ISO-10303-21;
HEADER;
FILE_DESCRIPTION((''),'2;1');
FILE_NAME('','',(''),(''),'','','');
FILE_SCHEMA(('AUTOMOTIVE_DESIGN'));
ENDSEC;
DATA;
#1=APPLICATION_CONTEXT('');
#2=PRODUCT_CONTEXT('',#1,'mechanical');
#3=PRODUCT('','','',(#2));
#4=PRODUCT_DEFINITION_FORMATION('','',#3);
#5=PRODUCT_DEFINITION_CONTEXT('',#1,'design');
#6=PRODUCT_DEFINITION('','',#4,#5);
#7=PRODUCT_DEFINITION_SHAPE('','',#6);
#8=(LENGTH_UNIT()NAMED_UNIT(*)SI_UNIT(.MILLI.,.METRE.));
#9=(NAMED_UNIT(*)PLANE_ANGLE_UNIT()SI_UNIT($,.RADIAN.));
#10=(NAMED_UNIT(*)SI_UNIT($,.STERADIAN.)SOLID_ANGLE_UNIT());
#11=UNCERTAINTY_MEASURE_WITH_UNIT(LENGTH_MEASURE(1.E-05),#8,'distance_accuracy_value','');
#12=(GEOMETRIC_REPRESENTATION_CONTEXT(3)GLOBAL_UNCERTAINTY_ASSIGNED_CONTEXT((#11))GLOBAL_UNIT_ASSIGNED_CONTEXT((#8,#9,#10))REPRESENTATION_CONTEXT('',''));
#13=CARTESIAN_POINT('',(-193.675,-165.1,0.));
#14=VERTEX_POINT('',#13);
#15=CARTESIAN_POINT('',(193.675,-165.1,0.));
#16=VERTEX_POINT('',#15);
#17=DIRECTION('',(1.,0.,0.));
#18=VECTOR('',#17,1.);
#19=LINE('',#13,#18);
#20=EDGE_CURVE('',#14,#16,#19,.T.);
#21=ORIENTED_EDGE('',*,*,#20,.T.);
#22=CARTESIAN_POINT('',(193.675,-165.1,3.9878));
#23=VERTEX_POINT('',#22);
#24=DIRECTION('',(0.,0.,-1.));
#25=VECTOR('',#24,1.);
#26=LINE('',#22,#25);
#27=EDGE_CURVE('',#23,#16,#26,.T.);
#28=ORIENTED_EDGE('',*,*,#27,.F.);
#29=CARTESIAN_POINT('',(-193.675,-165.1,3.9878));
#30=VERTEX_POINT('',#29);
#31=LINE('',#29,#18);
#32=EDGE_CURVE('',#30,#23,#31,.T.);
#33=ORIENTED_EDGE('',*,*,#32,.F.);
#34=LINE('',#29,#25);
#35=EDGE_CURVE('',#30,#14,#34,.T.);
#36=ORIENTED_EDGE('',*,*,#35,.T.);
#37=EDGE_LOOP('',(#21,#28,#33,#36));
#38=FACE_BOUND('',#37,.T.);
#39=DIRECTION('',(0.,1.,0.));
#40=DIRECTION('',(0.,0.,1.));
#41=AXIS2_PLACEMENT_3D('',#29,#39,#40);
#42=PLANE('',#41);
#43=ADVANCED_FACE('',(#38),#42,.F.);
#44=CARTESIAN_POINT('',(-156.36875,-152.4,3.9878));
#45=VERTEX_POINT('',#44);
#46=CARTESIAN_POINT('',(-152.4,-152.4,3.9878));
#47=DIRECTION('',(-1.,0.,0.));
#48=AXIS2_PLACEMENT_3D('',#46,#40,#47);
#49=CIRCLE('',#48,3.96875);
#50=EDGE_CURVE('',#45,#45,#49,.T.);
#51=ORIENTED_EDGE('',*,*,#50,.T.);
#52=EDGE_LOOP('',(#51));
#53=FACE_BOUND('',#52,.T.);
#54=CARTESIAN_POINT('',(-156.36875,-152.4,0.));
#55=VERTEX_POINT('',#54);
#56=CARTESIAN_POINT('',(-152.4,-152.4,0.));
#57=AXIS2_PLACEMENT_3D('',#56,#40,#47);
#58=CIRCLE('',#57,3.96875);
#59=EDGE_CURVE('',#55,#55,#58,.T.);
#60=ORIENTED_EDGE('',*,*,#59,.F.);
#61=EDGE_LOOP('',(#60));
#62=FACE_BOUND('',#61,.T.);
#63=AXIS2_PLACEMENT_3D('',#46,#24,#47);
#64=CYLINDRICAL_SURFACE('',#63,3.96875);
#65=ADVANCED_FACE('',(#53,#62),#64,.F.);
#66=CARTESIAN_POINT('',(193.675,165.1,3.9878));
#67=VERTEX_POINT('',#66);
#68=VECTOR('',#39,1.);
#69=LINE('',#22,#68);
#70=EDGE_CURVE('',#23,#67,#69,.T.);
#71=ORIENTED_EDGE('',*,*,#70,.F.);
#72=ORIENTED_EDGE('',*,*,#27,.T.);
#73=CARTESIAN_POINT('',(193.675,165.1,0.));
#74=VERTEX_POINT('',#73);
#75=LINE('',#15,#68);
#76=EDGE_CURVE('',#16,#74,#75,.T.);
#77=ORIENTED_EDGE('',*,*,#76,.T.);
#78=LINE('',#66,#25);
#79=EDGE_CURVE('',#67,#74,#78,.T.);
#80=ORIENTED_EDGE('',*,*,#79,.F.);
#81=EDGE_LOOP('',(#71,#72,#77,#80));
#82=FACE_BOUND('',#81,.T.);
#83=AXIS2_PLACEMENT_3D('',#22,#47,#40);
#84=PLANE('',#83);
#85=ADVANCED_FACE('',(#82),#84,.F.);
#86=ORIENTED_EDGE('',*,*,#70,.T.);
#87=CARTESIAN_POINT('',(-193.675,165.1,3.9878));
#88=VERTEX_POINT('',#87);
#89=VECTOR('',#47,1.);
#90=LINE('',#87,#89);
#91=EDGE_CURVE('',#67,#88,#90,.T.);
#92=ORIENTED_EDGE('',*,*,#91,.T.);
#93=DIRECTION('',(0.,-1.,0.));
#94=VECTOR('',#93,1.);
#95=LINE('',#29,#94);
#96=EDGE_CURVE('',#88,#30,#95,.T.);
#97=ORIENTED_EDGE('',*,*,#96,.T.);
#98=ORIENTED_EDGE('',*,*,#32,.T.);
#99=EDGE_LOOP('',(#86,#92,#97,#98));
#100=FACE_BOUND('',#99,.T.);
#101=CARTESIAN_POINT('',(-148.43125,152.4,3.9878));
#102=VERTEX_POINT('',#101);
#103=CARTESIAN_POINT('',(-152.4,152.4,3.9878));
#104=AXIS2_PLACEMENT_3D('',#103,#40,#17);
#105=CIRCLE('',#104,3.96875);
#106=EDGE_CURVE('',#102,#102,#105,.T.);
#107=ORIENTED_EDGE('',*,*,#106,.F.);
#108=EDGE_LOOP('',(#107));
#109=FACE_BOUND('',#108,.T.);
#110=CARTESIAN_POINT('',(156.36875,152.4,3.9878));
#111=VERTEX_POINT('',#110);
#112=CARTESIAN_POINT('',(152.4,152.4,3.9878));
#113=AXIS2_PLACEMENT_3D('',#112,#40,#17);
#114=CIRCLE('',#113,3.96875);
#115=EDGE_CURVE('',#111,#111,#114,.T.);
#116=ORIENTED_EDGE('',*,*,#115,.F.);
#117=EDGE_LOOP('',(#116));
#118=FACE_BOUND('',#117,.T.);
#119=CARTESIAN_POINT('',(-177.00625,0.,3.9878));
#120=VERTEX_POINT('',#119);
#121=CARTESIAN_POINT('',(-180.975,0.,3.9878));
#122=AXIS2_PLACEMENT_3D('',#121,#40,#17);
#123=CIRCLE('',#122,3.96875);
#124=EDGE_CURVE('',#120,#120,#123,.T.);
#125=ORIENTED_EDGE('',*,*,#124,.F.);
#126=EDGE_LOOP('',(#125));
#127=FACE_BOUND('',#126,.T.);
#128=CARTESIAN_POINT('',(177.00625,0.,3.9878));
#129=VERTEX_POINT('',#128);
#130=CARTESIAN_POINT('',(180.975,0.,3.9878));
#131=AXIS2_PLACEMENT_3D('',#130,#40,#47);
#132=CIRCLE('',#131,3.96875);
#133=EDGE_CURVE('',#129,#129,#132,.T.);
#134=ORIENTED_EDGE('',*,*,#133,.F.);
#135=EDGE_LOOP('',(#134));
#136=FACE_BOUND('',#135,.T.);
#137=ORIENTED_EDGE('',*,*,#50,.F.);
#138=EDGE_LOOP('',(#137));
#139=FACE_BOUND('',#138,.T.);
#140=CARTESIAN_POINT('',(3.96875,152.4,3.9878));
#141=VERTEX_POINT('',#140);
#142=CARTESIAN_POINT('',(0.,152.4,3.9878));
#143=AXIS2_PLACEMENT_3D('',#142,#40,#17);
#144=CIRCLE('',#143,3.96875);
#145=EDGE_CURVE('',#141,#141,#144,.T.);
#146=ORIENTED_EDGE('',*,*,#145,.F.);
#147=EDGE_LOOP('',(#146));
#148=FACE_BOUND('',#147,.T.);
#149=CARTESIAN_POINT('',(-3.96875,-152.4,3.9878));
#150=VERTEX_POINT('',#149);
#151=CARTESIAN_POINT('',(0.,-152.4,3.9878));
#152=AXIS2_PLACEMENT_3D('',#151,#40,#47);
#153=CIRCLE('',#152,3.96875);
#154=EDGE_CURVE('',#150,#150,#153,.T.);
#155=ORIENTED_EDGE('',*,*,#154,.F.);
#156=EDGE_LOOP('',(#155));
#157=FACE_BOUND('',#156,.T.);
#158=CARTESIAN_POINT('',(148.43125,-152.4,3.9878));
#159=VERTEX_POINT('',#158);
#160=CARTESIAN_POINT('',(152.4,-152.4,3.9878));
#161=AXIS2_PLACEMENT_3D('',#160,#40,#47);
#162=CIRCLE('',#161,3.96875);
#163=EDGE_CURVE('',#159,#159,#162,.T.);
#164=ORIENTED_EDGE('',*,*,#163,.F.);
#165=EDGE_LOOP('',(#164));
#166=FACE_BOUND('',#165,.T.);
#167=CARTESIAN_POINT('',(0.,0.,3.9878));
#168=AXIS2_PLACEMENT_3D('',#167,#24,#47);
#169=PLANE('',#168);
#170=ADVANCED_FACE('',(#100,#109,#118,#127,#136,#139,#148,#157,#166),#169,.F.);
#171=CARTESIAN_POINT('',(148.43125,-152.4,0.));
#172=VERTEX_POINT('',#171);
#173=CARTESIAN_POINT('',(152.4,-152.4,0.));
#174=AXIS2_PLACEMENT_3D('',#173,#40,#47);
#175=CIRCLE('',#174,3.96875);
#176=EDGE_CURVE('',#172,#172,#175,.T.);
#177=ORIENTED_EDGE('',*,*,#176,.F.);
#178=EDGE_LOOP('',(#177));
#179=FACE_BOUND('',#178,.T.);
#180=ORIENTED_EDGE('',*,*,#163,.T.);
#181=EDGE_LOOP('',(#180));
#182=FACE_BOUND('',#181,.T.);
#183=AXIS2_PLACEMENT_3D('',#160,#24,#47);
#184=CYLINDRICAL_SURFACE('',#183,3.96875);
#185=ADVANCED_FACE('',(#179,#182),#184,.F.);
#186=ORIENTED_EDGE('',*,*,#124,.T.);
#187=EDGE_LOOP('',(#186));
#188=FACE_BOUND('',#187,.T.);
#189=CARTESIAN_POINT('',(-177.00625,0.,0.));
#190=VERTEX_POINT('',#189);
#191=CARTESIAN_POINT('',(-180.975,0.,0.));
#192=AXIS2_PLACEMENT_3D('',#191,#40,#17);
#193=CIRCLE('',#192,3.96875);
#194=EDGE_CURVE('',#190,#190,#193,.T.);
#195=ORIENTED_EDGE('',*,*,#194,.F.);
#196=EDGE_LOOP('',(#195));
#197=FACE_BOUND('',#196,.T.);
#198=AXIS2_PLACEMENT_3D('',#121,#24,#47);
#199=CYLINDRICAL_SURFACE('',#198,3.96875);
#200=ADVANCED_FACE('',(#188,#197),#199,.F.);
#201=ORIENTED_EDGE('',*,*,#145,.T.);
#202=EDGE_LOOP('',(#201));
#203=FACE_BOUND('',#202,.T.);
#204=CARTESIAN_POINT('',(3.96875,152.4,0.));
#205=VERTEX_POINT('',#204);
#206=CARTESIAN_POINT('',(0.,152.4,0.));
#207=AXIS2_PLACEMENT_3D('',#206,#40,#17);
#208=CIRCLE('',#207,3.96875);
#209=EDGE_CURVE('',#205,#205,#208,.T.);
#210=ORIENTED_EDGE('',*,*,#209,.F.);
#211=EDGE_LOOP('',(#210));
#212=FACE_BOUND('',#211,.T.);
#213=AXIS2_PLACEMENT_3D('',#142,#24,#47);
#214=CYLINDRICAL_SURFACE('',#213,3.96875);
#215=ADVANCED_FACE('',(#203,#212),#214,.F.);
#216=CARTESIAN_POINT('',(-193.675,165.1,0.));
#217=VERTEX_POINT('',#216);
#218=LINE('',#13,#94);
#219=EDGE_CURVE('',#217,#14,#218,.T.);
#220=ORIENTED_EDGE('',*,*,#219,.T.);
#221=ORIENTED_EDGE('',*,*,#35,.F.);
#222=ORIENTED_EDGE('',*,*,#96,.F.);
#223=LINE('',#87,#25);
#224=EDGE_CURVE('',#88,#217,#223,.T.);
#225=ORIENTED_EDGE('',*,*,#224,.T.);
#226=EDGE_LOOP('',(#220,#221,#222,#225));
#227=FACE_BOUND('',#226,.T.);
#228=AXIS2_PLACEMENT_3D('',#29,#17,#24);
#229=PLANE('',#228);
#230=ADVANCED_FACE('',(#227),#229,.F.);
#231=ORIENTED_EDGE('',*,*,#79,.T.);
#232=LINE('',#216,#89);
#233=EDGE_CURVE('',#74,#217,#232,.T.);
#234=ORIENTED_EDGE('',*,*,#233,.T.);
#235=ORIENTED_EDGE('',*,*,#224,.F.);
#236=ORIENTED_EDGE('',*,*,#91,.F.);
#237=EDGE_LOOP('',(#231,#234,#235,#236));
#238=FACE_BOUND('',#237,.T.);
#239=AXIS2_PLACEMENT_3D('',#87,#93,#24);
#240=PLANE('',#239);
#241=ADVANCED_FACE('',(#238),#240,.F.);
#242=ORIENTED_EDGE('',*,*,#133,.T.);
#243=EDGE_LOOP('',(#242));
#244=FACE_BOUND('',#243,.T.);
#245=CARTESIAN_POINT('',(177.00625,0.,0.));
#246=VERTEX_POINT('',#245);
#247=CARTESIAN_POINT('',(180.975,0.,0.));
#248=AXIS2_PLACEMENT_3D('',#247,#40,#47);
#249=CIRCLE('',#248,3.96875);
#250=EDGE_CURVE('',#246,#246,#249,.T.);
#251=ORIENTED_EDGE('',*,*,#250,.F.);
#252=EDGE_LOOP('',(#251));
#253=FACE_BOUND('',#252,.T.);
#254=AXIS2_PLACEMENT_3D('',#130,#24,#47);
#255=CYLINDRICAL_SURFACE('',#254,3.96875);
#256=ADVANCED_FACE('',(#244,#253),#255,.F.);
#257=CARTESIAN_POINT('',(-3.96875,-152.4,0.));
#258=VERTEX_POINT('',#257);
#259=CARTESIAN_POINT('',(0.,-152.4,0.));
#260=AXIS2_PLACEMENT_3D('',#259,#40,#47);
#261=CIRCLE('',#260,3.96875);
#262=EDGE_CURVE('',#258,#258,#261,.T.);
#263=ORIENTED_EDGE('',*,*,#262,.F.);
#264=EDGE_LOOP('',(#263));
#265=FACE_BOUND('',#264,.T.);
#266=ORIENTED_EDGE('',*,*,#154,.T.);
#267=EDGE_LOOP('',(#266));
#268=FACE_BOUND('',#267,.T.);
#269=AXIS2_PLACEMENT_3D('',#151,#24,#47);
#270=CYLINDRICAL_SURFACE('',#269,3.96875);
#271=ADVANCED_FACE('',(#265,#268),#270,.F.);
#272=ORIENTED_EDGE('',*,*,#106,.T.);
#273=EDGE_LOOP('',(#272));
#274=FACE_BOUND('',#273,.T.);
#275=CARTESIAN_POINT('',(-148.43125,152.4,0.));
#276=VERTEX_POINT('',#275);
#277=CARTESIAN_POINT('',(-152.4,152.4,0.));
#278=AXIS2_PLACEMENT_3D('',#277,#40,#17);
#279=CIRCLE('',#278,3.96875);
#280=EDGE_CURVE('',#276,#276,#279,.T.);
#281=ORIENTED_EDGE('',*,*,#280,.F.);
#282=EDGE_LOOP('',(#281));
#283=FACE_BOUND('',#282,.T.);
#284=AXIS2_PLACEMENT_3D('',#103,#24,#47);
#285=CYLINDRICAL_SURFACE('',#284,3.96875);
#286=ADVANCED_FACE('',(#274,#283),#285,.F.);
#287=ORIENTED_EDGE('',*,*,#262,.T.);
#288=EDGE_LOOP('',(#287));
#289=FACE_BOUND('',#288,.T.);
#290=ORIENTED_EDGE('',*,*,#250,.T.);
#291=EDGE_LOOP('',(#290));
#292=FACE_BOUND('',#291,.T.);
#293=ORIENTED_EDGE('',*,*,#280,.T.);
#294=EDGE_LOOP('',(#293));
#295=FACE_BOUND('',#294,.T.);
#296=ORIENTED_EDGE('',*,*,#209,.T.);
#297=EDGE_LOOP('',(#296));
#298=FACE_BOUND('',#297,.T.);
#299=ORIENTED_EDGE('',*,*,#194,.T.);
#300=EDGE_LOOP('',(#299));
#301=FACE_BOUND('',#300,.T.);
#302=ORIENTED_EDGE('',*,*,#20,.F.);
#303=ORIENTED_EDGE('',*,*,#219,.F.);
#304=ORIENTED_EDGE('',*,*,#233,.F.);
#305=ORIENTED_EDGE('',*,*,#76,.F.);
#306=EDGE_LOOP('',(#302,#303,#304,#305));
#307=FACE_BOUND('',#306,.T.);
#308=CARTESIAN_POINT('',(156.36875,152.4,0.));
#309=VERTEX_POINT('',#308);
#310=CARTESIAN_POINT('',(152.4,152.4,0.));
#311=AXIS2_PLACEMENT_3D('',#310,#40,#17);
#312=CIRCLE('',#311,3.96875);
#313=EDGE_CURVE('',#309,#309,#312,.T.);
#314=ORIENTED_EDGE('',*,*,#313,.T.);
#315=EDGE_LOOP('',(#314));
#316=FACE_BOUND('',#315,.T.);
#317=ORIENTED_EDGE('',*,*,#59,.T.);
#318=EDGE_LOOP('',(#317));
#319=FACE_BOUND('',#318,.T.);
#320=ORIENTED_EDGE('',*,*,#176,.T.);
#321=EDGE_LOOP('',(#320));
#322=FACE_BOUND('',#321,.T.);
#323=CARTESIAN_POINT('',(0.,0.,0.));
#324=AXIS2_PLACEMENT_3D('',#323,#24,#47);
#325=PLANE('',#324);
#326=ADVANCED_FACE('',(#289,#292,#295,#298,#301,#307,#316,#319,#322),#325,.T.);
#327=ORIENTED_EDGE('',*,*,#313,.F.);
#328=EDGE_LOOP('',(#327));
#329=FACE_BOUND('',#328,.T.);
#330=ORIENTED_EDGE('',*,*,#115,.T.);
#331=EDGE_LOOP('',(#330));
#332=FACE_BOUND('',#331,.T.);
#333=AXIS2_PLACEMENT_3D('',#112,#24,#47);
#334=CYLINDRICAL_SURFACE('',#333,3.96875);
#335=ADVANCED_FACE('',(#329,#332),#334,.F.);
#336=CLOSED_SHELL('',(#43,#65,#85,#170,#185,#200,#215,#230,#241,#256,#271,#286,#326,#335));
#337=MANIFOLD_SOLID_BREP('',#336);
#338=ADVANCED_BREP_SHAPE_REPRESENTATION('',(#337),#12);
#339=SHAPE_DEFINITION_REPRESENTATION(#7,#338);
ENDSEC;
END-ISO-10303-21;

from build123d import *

# Parameters (mm, degrees)
SKETCH1_W           = 387.35
SKETCH1_H           = 330.2
SKETCH1_R           = 3.96875
BOSS_EXTRUDE1_DEPTH = 3.9878


with BuildPart() as part:
    # Sketch1 → Boss-Extrude1 (new body)
    with BuildSketch(Plane.XY):
        Rectangle(SKETCH1_W, SKETCH1_H)
        with Locations((-180.975, 0)):
            Circle(SKETCH1_R, mode=Mode.SUBTRACT)
        with Locations((0, 152.4)):
            Circle(SKETCH1_R, mode=Mode.SUBTRACT)
        with Locations((152.4, 152.4)):
            Circle(SKETCH1_R, mode=Mode.SUBTRACT)
        with Locations((-152.4, 152.4)):
            Circle(SKETCH1_R, mode=Mode.SUBTRACT)
        with Locations(Location((180.975, 0, 0), (0, 0, 180))):
            Circle(SKETCH1_R, mode=Mode.SUBTRACT)
        with Locations(Location((152.4, -152.4, 0), (0, 0, 180))):
            Circle(SKETCH1_R, mode=Mode.SUBTRACT)
        with Locations(Location((0, -152.4, 0), (0, 0, 180))):
            Circle(SKETCH1_R, mode=Mode.SUBTRACT)
        with Locations(Location((-152.4, -152.4, 0), (0, 0, 180))):
            Circle(SKETCH1_R, mode=Mode.SUBTRACT)
    extrude(amount=BOSS_EXTRUDE1_DEPTH)


solid = part.part
